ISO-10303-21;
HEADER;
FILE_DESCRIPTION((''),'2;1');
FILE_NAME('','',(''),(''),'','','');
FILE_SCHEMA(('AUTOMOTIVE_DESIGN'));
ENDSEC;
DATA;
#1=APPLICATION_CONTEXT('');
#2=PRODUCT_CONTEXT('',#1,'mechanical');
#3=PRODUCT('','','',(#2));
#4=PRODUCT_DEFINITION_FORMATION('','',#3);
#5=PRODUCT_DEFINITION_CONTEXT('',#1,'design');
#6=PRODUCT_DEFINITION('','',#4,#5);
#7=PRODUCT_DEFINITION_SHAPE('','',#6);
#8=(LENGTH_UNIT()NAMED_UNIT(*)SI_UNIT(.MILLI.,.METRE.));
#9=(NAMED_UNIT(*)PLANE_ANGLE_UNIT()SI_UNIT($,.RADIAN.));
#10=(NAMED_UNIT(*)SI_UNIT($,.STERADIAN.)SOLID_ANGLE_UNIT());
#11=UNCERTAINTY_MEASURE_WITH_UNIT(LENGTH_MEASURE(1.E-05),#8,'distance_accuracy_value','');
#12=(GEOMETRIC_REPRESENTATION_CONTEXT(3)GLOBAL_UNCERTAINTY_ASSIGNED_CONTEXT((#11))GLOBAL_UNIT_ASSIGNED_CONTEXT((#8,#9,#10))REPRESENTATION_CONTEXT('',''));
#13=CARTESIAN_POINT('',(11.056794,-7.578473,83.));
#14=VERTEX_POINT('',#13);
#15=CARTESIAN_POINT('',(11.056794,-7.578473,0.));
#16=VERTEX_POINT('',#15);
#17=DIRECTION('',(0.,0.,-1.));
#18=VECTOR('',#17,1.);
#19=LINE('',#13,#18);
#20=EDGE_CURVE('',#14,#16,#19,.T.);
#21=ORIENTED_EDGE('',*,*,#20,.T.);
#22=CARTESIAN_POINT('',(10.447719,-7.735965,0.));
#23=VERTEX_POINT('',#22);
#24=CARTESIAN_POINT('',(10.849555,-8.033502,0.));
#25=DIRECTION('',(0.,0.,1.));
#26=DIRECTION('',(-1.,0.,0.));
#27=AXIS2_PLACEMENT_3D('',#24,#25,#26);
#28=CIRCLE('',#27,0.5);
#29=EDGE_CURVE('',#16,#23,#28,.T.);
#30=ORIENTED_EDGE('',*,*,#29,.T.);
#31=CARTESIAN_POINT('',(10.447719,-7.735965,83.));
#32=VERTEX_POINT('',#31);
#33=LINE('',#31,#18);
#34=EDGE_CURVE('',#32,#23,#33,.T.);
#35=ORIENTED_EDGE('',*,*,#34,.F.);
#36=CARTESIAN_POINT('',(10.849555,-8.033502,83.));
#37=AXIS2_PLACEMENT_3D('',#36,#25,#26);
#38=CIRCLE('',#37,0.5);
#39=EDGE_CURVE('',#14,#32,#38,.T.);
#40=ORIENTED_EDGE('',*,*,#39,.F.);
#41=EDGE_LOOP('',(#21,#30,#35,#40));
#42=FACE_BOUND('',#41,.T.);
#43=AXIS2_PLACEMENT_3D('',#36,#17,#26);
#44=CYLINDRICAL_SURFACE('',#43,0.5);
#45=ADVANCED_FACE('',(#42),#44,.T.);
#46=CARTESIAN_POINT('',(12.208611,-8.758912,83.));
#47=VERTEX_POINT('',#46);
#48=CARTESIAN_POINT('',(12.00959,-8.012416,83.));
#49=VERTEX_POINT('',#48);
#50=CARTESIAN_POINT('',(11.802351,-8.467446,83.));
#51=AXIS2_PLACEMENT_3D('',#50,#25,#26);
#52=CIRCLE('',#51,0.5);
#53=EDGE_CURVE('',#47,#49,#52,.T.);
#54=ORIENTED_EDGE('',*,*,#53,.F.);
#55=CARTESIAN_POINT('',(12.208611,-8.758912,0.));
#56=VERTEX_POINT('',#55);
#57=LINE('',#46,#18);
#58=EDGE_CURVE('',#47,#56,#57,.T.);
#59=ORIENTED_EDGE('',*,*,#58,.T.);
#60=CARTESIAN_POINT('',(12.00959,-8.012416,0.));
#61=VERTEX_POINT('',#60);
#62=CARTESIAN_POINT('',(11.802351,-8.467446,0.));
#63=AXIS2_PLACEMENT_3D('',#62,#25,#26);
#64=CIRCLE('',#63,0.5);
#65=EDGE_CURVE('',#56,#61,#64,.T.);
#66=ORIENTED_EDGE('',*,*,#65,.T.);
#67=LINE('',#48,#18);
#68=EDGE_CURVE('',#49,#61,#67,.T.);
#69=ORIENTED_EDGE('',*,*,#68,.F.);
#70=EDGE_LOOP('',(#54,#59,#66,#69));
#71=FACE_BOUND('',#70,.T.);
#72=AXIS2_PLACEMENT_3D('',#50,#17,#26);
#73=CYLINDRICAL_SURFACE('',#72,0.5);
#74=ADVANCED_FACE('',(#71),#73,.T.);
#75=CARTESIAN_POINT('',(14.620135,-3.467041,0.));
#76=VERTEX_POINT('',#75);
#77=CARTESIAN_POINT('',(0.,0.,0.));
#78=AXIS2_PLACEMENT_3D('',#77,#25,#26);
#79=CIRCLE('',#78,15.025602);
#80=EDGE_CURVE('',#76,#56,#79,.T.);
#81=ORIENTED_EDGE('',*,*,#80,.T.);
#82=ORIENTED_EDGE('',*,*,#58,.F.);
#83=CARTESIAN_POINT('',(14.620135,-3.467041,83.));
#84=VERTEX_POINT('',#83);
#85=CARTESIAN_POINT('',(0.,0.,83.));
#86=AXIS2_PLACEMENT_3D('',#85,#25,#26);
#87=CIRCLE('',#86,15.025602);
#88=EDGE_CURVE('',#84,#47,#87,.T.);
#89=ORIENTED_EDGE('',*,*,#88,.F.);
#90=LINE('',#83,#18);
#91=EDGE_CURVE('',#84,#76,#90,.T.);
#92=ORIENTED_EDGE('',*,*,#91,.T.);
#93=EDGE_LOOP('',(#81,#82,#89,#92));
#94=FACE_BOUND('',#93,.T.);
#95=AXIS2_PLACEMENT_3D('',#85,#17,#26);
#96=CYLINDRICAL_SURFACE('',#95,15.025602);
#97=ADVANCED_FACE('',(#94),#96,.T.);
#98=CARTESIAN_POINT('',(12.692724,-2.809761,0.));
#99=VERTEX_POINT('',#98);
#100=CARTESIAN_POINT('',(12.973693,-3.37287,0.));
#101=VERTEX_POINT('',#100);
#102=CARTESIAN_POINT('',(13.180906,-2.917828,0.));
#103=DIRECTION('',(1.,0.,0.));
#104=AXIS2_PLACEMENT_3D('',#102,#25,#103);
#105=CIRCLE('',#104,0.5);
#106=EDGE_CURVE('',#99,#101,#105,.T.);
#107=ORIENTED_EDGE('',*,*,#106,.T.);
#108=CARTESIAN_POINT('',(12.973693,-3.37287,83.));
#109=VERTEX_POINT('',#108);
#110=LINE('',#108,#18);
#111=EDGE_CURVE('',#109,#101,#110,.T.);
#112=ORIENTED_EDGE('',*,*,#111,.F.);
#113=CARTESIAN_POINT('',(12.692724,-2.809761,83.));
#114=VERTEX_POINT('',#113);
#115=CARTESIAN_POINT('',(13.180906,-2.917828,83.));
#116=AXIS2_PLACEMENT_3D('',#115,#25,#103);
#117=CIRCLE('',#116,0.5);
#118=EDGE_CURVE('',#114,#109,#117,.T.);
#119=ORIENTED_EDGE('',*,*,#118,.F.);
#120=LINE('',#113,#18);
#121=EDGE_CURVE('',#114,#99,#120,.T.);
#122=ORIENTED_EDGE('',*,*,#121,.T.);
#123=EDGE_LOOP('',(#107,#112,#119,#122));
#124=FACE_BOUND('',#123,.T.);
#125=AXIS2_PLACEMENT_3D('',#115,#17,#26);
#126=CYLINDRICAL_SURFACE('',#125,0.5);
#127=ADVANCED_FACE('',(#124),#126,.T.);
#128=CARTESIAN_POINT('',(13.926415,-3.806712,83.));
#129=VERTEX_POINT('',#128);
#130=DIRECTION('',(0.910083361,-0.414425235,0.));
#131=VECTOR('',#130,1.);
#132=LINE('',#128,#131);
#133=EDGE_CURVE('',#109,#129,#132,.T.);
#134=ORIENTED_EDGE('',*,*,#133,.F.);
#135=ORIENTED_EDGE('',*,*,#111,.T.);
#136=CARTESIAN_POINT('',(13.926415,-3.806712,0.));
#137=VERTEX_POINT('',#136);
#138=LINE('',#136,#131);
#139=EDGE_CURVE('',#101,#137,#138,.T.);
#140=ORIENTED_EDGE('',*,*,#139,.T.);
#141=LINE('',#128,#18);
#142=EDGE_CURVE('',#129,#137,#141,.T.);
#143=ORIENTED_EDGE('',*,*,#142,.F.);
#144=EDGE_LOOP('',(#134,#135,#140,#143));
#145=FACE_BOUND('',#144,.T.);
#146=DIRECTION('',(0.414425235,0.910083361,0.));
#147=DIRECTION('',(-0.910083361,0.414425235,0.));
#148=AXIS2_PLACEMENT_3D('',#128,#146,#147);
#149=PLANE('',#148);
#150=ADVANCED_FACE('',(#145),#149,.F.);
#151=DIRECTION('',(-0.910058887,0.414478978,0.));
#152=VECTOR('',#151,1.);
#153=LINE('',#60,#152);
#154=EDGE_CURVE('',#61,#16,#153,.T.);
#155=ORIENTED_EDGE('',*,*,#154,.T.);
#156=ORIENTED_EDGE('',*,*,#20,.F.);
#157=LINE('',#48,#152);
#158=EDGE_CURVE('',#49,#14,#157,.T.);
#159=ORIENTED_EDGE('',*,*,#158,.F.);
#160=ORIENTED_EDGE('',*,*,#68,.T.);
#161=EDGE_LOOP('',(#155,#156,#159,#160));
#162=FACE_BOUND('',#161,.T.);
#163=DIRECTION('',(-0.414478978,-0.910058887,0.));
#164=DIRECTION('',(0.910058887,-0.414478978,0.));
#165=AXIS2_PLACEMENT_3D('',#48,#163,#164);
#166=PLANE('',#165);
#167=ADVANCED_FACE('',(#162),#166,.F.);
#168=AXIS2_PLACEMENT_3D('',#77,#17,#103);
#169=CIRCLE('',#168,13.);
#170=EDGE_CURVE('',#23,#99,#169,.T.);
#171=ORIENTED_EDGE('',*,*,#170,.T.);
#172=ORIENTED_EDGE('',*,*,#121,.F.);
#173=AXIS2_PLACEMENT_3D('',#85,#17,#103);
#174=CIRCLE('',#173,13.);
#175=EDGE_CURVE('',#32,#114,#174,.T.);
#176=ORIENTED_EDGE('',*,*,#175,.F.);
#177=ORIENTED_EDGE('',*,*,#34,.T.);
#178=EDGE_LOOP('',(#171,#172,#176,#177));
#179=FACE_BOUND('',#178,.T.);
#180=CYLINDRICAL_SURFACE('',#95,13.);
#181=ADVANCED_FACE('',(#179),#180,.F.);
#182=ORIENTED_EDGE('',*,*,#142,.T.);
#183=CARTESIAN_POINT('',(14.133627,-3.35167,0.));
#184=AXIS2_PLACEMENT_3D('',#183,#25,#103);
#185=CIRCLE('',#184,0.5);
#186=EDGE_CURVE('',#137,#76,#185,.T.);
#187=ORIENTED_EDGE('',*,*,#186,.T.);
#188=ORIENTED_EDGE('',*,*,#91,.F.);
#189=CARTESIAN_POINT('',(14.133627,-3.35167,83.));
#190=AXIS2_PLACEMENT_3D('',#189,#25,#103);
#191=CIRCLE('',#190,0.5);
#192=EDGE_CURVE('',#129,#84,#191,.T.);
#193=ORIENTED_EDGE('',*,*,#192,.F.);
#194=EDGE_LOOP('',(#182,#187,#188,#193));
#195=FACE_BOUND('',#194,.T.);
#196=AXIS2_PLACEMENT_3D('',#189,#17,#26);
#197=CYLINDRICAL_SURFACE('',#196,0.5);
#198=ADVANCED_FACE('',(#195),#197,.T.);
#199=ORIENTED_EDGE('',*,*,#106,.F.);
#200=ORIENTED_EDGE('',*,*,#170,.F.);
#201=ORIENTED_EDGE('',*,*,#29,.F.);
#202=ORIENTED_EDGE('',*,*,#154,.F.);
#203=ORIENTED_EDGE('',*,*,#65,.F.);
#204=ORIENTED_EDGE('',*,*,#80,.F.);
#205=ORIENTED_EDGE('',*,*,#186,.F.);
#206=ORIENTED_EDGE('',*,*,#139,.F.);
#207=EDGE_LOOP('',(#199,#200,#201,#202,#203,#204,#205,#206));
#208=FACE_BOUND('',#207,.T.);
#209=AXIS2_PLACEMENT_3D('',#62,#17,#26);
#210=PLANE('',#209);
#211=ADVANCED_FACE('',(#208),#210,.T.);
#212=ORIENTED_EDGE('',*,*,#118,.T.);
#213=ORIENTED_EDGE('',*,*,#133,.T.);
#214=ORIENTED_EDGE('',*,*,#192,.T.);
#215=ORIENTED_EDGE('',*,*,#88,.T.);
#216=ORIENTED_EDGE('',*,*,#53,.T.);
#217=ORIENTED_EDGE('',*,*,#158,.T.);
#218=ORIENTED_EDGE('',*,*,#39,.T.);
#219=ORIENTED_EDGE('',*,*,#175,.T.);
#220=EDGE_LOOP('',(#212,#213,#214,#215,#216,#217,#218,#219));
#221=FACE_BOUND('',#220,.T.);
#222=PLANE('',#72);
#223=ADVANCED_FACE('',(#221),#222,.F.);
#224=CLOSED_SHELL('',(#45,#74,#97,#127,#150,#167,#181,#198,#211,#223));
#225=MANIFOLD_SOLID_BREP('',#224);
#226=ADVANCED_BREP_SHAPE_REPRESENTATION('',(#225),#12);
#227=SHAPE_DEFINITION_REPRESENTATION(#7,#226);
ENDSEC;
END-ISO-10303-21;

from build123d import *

# Parameters (mm, degrees)
BOSS_EXTRU_3_DEPTH = 83


with BuildPart() as part:
    # Esquisse1 → Boss.-Extru.3 (new body)
    with BuildSketch(Plane.XY):
        with BuildLine():
            Line((13.926414777, -3.806711623), (12.973693151, -3.372870175))
            ThreePointArc((12.973693151, -3.372870175), (12.733506213, -3.141062984), (12.692724073, -2.809760772))
            ThreePointArc((12.692724073, -2.809760772), (-11.829492988, 5.391019908), (10.447719463, -7.735965229))
            ThreePointArc((10.447719463, -7.735965229), (10.724383559, -7.549423688), (11.056794316, -7.57847291))
            Line((11.056794316, -7.57847291), (12.009590144, -8.012416083))
            ThreePointArc((12.009590144, -8.012416083), (12.285475329, -8.338641219), (12.208610947, -8.758911776))
            ThreePointArc((12.208610947, -8.758911776), (-13.672833437, 6.230757786), (14.62013485, -3.467041062))
            ThreePointArc((14.62013485, -3.467041062), (14.353503323, -3.8007296), (13.926414777, -3.806711623))
        make_face()
    extrude(amount=BOSS_EXTRU_3_DEPTH)


solid = part.part
